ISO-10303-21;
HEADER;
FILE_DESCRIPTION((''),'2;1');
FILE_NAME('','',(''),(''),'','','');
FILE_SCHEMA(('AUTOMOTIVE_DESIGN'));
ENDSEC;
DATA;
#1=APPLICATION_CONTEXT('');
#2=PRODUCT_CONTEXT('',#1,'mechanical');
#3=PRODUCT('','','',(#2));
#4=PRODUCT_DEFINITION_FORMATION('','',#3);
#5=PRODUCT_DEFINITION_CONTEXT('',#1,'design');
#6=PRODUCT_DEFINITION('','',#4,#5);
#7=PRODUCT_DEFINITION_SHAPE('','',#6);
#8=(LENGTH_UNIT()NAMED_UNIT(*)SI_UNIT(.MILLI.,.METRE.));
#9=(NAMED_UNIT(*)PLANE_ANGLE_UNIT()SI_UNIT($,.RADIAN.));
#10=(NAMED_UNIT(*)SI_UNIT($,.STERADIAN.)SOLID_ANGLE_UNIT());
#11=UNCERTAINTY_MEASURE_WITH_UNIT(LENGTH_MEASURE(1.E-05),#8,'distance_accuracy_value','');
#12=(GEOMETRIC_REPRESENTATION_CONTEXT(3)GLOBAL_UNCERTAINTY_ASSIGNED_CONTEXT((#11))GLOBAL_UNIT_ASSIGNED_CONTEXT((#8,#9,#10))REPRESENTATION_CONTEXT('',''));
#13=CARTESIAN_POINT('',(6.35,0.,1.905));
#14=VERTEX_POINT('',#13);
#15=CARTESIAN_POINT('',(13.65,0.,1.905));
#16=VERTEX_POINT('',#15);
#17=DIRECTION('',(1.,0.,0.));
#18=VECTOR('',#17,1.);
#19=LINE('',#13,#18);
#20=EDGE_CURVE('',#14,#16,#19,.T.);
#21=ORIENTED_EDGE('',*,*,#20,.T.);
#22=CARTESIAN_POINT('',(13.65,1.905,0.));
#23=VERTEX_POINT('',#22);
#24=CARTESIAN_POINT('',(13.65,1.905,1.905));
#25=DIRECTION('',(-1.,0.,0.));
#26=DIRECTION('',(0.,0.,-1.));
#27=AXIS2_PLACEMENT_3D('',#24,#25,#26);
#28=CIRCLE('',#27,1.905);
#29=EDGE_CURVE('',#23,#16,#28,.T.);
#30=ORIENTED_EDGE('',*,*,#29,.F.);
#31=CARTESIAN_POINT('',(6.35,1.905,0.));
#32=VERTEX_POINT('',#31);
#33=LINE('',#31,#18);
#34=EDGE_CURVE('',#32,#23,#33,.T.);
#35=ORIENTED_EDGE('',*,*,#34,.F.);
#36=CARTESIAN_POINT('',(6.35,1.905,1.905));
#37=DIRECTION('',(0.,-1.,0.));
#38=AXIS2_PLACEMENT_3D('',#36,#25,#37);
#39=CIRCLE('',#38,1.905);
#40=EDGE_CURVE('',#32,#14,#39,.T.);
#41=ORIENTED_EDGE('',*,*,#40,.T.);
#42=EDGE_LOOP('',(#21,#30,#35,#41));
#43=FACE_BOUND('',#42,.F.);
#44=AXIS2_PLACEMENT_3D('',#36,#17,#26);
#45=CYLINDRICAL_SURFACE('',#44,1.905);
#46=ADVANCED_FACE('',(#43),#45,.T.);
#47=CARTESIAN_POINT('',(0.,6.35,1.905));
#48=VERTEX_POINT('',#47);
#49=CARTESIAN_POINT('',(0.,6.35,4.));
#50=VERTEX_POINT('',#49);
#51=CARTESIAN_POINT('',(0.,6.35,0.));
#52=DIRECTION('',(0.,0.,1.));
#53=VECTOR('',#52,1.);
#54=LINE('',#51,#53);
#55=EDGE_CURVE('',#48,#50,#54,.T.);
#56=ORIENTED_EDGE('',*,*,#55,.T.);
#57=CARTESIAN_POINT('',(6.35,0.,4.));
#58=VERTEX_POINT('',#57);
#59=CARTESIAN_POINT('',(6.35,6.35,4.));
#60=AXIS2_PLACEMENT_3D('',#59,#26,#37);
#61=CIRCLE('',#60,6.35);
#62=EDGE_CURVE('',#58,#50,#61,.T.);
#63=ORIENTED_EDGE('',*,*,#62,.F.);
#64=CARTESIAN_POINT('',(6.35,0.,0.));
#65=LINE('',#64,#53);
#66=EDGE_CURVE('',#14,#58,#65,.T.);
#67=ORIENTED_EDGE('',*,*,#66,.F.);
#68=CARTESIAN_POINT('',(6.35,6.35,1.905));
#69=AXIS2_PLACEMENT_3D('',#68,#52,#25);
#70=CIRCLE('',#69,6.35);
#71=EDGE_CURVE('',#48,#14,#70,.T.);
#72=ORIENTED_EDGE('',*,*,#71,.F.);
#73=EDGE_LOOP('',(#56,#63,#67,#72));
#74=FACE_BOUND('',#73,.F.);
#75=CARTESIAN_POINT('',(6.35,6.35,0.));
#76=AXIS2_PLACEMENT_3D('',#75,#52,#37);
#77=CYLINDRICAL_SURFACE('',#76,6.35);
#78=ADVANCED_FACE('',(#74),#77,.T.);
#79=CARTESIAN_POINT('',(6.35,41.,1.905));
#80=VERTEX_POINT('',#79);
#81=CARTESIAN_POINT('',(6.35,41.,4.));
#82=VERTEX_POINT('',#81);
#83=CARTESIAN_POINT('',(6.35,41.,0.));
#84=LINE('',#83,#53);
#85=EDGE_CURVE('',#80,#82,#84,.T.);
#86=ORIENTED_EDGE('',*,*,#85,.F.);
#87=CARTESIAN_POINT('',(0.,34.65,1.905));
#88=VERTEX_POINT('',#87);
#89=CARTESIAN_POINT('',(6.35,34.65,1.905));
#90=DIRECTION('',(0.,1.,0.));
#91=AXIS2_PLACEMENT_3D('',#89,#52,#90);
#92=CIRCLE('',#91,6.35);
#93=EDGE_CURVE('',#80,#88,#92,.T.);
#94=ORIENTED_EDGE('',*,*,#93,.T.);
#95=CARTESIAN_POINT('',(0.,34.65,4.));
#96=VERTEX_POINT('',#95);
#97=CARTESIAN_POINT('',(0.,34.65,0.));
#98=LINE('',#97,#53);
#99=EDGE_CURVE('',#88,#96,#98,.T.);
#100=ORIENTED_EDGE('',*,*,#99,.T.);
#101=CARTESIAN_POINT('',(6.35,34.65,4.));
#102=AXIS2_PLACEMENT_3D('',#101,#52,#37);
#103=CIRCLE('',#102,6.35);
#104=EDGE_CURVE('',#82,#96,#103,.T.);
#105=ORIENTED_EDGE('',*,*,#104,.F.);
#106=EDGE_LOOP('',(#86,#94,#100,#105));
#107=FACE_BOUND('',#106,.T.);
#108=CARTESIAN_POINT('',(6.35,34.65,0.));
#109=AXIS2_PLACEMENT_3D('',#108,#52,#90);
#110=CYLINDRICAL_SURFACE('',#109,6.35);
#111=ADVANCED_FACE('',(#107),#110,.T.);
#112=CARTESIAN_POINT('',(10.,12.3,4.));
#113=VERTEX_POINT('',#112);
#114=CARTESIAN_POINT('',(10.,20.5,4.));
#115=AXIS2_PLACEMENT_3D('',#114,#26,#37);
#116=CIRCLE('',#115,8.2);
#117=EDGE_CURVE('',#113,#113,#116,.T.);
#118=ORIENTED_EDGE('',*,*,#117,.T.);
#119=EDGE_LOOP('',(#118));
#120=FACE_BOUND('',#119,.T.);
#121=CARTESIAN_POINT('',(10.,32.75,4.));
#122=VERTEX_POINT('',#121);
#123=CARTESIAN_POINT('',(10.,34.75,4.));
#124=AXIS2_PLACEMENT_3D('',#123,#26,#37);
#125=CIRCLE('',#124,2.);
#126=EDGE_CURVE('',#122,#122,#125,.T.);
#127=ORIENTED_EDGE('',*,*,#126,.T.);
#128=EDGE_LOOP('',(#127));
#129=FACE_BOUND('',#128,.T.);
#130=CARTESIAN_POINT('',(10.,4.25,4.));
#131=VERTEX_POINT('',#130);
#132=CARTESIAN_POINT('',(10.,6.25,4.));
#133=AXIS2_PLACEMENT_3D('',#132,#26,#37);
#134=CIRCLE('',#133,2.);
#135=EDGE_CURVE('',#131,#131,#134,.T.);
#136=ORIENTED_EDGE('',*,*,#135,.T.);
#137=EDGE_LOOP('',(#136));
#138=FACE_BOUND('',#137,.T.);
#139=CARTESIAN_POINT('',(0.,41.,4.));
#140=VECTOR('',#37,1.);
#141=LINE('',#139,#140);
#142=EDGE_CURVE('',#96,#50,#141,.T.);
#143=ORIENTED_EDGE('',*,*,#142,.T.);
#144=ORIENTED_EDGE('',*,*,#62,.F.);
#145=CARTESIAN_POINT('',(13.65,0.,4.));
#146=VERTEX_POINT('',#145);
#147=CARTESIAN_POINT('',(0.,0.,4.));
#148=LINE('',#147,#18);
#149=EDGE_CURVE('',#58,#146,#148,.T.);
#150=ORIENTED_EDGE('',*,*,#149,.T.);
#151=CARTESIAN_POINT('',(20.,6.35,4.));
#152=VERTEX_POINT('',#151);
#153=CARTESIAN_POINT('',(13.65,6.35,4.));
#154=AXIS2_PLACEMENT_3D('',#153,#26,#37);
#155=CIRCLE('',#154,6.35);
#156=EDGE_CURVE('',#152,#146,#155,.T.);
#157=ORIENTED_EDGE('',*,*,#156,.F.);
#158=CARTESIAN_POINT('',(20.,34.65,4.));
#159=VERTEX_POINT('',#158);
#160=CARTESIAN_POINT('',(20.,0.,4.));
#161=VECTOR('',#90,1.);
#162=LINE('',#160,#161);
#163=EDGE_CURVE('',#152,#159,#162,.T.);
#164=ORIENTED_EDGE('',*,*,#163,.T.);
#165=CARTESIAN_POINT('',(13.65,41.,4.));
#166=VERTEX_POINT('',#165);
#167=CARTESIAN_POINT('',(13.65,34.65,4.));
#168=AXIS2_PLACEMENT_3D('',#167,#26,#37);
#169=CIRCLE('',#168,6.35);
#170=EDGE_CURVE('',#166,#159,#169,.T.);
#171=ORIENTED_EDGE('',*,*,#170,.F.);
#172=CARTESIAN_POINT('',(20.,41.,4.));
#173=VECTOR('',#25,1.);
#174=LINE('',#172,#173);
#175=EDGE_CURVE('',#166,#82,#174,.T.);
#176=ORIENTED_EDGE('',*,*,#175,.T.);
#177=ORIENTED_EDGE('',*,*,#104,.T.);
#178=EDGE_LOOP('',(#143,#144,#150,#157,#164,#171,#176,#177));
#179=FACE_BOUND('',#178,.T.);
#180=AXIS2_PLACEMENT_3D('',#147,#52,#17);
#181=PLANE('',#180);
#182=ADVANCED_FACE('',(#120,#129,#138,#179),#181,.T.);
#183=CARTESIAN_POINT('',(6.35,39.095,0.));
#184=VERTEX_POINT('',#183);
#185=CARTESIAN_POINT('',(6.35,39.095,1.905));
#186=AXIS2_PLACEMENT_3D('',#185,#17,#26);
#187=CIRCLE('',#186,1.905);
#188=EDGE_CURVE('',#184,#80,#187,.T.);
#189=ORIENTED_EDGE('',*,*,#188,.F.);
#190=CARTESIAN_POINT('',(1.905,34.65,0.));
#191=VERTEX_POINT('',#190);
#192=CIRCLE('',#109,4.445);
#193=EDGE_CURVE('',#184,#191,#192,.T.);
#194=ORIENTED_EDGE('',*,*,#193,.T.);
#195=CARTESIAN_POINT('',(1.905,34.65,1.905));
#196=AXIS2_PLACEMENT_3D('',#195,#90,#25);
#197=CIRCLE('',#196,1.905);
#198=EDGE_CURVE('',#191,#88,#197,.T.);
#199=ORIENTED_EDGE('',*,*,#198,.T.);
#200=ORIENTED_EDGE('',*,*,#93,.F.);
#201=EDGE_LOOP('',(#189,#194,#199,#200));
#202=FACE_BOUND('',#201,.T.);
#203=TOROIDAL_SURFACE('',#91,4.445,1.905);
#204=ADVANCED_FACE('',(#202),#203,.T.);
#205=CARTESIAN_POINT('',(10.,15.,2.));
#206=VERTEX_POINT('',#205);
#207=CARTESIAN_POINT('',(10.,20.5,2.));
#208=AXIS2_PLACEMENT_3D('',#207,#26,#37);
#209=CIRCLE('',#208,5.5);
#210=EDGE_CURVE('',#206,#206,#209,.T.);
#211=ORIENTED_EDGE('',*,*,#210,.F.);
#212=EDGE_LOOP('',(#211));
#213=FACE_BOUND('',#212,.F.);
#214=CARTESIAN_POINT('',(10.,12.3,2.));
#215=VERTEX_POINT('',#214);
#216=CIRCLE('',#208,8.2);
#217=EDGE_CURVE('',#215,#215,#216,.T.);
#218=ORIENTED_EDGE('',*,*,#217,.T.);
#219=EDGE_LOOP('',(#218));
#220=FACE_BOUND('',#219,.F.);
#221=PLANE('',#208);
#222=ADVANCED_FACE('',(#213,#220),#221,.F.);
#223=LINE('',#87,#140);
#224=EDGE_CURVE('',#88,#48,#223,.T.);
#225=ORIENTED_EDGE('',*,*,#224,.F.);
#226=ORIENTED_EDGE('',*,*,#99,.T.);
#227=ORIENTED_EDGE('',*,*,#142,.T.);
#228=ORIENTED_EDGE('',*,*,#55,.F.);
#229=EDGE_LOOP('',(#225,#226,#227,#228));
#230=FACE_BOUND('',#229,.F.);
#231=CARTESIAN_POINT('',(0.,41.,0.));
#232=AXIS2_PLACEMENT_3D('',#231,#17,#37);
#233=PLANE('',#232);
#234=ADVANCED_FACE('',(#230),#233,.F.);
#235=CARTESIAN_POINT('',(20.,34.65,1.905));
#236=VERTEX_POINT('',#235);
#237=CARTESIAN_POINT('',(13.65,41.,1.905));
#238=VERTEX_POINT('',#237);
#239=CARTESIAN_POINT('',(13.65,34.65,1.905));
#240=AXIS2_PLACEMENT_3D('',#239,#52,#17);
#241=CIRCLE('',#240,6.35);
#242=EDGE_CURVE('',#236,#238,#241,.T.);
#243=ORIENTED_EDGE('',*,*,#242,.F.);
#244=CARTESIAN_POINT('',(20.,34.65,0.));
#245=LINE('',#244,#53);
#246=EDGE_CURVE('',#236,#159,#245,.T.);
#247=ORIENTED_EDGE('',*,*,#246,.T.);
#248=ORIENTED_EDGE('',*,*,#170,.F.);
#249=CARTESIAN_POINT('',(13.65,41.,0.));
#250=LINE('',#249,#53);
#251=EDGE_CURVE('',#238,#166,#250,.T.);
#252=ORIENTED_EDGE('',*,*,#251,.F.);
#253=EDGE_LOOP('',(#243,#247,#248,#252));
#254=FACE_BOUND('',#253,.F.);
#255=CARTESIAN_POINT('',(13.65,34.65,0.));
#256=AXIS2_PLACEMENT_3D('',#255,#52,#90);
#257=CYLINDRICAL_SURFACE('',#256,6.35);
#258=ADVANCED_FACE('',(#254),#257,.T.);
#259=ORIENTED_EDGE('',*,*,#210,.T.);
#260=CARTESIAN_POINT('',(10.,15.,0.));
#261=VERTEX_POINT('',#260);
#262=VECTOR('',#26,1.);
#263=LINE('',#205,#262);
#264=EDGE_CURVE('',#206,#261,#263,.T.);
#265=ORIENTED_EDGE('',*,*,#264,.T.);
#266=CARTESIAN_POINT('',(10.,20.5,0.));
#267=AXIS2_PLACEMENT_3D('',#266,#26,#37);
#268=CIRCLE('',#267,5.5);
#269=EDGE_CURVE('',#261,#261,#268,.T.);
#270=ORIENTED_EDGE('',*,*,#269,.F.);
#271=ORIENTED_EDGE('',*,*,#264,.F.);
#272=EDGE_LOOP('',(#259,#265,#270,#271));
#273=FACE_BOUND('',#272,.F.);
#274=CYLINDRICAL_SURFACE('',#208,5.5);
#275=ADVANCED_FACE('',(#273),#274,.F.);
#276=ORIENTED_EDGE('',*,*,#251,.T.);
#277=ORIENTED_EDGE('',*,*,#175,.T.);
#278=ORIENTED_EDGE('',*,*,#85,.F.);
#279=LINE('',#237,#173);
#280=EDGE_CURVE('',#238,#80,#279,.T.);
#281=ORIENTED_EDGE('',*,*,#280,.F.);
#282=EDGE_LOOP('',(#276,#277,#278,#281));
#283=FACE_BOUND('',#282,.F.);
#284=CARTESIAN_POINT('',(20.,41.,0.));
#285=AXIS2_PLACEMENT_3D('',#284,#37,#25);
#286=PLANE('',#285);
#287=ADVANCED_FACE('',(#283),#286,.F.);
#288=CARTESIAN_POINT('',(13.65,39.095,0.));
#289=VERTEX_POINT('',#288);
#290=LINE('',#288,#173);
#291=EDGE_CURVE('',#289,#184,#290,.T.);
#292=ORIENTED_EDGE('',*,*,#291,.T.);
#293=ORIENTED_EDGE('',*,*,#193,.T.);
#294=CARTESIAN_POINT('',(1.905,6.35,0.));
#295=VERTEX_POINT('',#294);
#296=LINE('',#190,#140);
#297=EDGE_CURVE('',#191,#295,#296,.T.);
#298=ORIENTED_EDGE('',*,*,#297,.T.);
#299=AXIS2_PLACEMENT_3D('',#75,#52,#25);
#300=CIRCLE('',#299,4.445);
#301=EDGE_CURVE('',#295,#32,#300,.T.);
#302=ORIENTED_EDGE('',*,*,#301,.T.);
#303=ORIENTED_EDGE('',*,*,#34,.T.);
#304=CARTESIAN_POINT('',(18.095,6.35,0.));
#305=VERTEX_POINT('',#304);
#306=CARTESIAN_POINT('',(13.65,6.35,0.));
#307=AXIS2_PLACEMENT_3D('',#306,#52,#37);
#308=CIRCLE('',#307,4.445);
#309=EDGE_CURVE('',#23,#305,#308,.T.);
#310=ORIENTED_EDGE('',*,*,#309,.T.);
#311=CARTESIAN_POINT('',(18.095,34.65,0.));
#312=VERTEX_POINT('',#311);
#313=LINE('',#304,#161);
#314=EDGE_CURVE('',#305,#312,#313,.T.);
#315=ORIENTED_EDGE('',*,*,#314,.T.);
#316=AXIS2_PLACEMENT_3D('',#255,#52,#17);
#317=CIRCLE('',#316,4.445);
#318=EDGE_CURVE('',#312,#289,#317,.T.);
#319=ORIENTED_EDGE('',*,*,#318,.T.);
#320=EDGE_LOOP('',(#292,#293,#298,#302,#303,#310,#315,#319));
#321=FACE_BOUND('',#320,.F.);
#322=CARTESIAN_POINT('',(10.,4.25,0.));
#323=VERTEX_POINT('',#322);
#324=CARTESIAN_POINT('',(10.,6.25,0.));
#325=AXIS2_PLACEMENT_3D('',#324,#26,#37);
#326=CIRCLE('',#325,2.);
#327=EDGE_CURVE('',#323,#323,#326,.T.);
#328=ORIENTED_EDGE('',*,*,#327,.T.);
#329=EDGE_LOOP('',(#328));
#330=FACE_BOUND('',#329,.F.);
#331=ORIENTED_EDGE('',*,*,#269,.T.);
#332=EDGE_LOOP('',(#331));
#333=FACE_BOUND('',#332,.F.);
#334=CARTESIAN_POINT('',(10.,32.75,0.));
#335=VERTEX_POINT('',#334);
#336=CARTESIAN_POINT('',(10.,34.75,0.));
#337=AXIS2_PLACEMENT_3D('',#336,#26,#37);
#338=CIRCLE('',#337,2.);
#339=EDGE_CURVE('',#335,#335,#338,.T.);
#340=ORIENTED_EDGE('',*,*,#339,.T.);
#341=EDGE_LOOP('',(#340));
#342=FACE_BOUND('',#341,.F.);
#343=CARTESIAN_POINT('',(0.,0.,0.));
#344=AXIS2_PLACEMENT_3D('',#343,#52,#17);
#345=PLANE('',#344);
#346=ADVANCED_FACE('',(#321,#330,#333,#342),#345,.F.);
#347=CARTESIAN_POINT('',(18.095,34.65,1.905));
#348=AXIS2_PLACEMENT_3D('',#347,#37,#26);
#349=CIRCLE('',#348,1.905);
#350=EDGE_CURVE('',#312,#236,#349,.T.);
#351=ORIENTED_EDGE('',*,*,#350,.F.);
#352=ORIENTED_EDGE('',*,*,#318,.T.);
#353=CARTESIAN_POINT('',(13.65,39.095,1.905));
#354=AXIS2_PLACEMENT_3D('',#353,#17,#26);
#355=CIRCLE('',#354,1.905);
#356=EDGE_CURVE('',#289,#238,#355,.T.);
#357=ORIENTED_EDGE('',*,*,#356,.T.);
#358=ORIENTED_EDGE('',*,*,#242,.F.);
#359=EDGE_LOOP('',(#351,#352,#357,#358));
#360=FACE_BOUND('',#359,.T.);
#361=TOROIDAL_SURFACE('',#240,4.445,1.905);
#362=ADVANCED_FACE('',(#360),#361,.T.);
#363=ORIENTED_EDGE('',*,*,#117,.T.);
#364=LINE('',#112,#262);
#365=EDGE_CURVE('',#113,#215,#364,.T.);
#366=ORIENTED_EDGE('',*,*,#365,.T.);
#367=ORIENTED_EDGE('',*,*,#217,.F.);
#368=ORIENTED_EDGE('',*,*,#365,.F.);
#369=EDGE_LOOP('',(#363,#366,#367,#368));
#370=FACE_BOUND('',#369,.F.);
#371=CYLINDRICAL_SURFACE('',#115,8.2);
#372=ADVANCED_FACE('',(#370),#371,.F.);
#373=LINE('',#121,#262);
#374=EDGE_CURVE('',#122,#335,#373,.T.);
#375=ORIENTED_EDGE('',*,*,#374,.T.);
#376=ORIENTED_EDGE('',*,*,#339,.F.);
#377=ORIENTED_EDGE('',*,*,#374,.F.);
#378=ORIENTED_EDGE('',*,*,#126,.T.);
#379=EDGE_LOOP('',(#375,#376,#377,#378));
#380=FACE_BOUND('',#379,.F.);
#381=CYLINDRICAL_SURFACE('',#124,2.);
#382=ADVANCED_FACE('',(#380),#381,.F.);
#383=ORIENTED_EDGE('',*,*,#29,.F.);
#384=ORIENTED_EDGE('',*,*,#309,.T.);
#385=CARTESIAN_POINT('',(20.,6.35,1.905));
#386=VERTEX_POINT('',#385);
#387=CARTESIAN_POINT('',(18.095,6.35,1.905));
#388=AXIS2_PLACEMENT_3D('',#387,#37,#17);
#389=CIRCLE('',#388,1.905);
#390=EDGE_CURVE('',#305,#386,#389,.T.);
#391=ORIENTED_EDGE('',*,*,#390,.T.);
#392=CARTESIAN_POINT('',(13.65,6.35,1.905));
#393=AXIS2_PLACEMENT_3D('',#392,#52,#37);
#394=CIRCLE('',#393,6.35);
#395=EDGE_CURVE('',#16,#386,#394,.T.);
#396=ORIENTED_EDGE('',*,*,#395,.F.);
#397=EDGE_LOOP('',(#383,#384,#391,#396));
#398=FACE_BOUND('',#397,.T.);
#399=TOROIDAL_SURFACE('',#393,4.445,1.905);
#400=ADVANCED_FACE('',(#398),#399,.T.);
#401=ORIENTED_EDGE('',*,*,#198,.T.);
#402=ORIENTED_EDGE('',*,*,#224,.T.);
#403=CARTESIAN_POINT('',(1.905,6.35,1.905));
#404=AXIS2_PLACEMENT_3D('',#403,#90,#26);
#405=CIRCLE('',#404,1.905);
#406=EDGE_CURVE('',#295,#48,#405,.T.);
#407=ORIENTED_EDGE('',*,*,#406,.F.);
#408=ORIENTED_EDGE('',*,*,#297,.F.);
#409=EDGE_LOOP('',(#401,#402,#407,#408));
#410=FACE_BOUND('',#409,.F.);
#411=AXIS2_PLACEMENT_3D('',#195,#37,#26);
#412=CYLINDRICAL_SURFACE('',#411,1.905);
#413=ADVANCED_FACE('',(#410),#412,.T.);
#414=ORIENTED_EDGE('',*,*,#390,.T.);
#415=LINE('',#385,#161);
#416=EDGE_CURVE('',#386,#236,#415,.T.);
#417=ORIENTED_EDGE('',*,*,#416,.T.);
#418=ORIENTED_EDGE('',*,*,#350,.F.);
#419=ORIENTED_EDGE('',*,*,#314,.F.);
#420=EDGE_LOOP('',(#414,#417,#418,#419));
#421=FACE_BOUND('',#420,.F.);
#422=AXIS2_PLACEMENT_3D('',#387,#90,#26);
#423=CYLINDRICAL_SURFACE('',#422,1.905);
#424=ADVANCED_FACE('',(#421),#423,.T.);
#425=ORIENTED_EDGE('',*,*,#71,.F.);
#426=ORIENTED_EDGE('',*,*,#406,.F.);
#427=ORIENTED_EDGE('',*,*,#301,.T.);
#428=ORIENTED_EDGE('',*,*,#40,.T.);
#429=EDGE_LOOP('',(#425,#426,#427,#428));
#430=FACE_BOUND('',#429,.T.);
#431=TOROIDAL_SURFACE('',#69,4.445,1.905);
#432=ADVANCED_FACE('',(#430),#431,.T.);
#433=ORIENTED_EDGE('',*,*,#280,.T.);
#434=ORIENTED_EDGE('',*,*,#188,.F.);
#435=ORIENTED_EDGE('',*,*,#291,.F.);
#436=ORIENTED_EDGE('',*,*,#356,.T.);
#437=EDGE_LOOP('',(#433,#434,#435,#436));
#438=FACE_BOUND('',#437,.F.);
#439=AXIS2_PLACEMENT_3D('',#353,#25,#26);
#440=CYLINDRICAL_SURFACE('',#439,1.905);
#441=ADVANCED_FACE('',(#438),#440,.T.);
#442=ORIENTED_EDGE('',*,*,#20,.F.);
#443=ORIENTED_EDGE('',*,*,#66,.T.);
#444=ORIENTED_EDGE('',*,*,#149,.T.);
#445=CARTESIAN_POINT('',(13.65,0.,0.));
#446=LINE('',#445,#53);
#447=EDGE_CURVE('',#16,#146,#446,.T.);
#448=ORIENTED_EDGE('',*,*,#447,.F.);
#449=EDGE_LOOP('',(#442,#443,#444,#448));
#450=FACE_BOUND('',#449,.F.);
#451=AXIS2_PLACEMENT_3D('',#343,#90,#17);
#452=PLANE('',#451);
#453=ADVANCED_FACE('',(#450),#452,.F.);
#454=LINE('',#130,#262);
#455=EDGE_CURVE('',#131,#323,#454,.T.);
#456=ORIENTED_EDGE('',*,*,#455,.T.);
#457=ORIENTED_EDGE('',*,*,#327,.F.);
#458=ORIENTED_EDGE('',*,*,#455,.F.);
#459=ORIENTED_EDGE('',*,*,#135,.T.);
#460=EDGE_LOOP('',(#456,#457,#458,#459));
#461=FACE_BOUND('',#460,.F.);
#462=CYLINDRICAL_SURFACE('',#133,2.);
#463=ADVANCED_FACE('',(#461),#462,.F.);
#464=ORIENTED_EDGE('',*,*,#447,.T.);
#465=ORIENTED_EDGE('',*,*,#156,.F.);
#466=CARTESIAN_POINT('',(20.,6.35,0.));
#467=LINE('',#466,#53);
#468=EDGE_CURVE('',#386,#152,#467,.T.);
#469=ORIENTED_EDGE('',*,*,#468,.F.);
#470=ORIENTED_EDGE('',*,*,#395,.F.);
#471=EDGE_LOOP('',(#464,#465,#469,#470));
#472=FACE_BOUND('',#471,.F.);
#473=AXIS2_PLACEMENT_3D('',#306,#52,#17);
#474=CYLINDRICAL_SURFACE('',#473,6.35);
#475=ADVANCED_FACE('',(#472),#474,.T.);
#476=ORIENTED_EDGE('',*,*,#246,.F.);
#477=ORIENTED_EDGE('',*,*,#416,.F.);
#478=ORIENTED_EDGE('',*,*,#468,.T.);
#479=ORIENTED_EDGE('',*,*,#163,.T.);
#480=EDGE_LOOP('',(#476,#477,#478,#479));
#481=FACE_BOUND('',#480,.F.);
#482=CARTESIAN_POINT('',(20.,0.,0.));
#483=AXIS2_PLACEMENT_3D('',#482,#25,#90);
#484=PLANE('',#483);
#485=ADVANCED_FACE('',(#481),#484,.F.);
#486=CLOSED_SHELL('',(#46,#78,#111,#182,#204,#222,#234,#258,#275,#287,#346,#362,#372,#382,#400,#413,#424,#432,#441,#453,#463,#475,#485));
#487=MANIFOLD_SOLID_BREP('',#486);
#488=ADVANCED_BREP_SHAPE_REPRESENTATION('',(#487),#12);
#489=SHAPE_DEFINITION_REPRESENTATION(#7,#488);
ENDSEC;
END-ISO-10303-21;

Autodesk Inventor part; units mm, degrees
ref_plane "YZ Plane" through (0, 0, 0) normal (1, 0, 0) x (0, 1, 0)
ref_plane "XZ Plane" through (0, 0, 0) normal (0, 1, 0) x (-1, 0, 0)
ref_plane "XY Plane" through (0, 0, 0) normal (0, 0, 1) x (1, 0, 0)
sketch "Sketch1" plane through (0, 0, 0) normal (0, 0, 1) x (1, 0, 0)
  line L0 (0, 0) -> (20, 0)
  line L1 (20, 0) -> (20, 41)
  line L2 (20, 41) -> (0, 41)
  line L3 (0, 41) -> (0, 0)
  dimension "d0" = 20
  dimension "d1" = 41
extrude "Extrusion1" add sketch "Sketch1" along normal blind 4
sketch "Sketch2" plane through (0, 0, 4) normal (0, 0, 1) x (1, 0, 0)
  line L0 (20, 0) -> (20, 41) projected
  line L1 (20, 41) -> (0, 41) projected
  point P0 (0, 0)
  point P1 (10, 20.5)
  dimension "d11" = 10
  dimension "d12" = 20.5
hole "Hole1" at (10, 20.5, 4) direction (0, 0, -1) diameter 11 end through all counterbore diameter 16.4 counterbore depth 2
sketch "Sketch3" plane through (0, 0, 4) normal (0, 0, 1) x (1, 0, 0)
  line L0 (20, 0) -> (20, 41) projected
  line L1 (20, 41) -> (0, 41) projected
  point P0 (0, 0)
  point P1 (10, 34.75)
  dimension "d20" = 10
  dimension "d21" = 6.25
hole "Hole2" at (10, 34.75, 4) direction (0, 0, -1) diameter 4 end through all
sketch "Sketch4" plane through (0, 0, 4) normal (0, 0, 1) x (1, 0, 0)
  line L0 (20, 0) -> (20, 41) projected
  line L1 (0, 0) -> (20, 0) projected
  point P0 (10, 6.25)
  dimension "d29" = 10
  dimension "d30" = 6.25
hole "Hole3" at (10, 6.25, 4) direction (0, 0, -1) diameter 4 end through all
fillet "Fillet1" radius 6.35 1 edges at (20, 41, 2)
fillet "Fillet2" radius 6.35 1 edges at (0, 41, 2)
fillet "Fillet3" radius 6.35 1 edges at (20, 0, 2)
fillet "Fillet4" radius 6.35 1 edges at (0, 0, 2)
fillet "Fillet5" radius 1.905 8 edges at (10, 41, 0) (1.8599, 39.1401, 0) (0, 20.5, 0) (1.8599, 1.8599, 0) (10, 0, 0) (18.1401, 1.8599, 0) (20, 20.5, 0) (18.1401, 39.1401, 0)
properties part number "sides"
